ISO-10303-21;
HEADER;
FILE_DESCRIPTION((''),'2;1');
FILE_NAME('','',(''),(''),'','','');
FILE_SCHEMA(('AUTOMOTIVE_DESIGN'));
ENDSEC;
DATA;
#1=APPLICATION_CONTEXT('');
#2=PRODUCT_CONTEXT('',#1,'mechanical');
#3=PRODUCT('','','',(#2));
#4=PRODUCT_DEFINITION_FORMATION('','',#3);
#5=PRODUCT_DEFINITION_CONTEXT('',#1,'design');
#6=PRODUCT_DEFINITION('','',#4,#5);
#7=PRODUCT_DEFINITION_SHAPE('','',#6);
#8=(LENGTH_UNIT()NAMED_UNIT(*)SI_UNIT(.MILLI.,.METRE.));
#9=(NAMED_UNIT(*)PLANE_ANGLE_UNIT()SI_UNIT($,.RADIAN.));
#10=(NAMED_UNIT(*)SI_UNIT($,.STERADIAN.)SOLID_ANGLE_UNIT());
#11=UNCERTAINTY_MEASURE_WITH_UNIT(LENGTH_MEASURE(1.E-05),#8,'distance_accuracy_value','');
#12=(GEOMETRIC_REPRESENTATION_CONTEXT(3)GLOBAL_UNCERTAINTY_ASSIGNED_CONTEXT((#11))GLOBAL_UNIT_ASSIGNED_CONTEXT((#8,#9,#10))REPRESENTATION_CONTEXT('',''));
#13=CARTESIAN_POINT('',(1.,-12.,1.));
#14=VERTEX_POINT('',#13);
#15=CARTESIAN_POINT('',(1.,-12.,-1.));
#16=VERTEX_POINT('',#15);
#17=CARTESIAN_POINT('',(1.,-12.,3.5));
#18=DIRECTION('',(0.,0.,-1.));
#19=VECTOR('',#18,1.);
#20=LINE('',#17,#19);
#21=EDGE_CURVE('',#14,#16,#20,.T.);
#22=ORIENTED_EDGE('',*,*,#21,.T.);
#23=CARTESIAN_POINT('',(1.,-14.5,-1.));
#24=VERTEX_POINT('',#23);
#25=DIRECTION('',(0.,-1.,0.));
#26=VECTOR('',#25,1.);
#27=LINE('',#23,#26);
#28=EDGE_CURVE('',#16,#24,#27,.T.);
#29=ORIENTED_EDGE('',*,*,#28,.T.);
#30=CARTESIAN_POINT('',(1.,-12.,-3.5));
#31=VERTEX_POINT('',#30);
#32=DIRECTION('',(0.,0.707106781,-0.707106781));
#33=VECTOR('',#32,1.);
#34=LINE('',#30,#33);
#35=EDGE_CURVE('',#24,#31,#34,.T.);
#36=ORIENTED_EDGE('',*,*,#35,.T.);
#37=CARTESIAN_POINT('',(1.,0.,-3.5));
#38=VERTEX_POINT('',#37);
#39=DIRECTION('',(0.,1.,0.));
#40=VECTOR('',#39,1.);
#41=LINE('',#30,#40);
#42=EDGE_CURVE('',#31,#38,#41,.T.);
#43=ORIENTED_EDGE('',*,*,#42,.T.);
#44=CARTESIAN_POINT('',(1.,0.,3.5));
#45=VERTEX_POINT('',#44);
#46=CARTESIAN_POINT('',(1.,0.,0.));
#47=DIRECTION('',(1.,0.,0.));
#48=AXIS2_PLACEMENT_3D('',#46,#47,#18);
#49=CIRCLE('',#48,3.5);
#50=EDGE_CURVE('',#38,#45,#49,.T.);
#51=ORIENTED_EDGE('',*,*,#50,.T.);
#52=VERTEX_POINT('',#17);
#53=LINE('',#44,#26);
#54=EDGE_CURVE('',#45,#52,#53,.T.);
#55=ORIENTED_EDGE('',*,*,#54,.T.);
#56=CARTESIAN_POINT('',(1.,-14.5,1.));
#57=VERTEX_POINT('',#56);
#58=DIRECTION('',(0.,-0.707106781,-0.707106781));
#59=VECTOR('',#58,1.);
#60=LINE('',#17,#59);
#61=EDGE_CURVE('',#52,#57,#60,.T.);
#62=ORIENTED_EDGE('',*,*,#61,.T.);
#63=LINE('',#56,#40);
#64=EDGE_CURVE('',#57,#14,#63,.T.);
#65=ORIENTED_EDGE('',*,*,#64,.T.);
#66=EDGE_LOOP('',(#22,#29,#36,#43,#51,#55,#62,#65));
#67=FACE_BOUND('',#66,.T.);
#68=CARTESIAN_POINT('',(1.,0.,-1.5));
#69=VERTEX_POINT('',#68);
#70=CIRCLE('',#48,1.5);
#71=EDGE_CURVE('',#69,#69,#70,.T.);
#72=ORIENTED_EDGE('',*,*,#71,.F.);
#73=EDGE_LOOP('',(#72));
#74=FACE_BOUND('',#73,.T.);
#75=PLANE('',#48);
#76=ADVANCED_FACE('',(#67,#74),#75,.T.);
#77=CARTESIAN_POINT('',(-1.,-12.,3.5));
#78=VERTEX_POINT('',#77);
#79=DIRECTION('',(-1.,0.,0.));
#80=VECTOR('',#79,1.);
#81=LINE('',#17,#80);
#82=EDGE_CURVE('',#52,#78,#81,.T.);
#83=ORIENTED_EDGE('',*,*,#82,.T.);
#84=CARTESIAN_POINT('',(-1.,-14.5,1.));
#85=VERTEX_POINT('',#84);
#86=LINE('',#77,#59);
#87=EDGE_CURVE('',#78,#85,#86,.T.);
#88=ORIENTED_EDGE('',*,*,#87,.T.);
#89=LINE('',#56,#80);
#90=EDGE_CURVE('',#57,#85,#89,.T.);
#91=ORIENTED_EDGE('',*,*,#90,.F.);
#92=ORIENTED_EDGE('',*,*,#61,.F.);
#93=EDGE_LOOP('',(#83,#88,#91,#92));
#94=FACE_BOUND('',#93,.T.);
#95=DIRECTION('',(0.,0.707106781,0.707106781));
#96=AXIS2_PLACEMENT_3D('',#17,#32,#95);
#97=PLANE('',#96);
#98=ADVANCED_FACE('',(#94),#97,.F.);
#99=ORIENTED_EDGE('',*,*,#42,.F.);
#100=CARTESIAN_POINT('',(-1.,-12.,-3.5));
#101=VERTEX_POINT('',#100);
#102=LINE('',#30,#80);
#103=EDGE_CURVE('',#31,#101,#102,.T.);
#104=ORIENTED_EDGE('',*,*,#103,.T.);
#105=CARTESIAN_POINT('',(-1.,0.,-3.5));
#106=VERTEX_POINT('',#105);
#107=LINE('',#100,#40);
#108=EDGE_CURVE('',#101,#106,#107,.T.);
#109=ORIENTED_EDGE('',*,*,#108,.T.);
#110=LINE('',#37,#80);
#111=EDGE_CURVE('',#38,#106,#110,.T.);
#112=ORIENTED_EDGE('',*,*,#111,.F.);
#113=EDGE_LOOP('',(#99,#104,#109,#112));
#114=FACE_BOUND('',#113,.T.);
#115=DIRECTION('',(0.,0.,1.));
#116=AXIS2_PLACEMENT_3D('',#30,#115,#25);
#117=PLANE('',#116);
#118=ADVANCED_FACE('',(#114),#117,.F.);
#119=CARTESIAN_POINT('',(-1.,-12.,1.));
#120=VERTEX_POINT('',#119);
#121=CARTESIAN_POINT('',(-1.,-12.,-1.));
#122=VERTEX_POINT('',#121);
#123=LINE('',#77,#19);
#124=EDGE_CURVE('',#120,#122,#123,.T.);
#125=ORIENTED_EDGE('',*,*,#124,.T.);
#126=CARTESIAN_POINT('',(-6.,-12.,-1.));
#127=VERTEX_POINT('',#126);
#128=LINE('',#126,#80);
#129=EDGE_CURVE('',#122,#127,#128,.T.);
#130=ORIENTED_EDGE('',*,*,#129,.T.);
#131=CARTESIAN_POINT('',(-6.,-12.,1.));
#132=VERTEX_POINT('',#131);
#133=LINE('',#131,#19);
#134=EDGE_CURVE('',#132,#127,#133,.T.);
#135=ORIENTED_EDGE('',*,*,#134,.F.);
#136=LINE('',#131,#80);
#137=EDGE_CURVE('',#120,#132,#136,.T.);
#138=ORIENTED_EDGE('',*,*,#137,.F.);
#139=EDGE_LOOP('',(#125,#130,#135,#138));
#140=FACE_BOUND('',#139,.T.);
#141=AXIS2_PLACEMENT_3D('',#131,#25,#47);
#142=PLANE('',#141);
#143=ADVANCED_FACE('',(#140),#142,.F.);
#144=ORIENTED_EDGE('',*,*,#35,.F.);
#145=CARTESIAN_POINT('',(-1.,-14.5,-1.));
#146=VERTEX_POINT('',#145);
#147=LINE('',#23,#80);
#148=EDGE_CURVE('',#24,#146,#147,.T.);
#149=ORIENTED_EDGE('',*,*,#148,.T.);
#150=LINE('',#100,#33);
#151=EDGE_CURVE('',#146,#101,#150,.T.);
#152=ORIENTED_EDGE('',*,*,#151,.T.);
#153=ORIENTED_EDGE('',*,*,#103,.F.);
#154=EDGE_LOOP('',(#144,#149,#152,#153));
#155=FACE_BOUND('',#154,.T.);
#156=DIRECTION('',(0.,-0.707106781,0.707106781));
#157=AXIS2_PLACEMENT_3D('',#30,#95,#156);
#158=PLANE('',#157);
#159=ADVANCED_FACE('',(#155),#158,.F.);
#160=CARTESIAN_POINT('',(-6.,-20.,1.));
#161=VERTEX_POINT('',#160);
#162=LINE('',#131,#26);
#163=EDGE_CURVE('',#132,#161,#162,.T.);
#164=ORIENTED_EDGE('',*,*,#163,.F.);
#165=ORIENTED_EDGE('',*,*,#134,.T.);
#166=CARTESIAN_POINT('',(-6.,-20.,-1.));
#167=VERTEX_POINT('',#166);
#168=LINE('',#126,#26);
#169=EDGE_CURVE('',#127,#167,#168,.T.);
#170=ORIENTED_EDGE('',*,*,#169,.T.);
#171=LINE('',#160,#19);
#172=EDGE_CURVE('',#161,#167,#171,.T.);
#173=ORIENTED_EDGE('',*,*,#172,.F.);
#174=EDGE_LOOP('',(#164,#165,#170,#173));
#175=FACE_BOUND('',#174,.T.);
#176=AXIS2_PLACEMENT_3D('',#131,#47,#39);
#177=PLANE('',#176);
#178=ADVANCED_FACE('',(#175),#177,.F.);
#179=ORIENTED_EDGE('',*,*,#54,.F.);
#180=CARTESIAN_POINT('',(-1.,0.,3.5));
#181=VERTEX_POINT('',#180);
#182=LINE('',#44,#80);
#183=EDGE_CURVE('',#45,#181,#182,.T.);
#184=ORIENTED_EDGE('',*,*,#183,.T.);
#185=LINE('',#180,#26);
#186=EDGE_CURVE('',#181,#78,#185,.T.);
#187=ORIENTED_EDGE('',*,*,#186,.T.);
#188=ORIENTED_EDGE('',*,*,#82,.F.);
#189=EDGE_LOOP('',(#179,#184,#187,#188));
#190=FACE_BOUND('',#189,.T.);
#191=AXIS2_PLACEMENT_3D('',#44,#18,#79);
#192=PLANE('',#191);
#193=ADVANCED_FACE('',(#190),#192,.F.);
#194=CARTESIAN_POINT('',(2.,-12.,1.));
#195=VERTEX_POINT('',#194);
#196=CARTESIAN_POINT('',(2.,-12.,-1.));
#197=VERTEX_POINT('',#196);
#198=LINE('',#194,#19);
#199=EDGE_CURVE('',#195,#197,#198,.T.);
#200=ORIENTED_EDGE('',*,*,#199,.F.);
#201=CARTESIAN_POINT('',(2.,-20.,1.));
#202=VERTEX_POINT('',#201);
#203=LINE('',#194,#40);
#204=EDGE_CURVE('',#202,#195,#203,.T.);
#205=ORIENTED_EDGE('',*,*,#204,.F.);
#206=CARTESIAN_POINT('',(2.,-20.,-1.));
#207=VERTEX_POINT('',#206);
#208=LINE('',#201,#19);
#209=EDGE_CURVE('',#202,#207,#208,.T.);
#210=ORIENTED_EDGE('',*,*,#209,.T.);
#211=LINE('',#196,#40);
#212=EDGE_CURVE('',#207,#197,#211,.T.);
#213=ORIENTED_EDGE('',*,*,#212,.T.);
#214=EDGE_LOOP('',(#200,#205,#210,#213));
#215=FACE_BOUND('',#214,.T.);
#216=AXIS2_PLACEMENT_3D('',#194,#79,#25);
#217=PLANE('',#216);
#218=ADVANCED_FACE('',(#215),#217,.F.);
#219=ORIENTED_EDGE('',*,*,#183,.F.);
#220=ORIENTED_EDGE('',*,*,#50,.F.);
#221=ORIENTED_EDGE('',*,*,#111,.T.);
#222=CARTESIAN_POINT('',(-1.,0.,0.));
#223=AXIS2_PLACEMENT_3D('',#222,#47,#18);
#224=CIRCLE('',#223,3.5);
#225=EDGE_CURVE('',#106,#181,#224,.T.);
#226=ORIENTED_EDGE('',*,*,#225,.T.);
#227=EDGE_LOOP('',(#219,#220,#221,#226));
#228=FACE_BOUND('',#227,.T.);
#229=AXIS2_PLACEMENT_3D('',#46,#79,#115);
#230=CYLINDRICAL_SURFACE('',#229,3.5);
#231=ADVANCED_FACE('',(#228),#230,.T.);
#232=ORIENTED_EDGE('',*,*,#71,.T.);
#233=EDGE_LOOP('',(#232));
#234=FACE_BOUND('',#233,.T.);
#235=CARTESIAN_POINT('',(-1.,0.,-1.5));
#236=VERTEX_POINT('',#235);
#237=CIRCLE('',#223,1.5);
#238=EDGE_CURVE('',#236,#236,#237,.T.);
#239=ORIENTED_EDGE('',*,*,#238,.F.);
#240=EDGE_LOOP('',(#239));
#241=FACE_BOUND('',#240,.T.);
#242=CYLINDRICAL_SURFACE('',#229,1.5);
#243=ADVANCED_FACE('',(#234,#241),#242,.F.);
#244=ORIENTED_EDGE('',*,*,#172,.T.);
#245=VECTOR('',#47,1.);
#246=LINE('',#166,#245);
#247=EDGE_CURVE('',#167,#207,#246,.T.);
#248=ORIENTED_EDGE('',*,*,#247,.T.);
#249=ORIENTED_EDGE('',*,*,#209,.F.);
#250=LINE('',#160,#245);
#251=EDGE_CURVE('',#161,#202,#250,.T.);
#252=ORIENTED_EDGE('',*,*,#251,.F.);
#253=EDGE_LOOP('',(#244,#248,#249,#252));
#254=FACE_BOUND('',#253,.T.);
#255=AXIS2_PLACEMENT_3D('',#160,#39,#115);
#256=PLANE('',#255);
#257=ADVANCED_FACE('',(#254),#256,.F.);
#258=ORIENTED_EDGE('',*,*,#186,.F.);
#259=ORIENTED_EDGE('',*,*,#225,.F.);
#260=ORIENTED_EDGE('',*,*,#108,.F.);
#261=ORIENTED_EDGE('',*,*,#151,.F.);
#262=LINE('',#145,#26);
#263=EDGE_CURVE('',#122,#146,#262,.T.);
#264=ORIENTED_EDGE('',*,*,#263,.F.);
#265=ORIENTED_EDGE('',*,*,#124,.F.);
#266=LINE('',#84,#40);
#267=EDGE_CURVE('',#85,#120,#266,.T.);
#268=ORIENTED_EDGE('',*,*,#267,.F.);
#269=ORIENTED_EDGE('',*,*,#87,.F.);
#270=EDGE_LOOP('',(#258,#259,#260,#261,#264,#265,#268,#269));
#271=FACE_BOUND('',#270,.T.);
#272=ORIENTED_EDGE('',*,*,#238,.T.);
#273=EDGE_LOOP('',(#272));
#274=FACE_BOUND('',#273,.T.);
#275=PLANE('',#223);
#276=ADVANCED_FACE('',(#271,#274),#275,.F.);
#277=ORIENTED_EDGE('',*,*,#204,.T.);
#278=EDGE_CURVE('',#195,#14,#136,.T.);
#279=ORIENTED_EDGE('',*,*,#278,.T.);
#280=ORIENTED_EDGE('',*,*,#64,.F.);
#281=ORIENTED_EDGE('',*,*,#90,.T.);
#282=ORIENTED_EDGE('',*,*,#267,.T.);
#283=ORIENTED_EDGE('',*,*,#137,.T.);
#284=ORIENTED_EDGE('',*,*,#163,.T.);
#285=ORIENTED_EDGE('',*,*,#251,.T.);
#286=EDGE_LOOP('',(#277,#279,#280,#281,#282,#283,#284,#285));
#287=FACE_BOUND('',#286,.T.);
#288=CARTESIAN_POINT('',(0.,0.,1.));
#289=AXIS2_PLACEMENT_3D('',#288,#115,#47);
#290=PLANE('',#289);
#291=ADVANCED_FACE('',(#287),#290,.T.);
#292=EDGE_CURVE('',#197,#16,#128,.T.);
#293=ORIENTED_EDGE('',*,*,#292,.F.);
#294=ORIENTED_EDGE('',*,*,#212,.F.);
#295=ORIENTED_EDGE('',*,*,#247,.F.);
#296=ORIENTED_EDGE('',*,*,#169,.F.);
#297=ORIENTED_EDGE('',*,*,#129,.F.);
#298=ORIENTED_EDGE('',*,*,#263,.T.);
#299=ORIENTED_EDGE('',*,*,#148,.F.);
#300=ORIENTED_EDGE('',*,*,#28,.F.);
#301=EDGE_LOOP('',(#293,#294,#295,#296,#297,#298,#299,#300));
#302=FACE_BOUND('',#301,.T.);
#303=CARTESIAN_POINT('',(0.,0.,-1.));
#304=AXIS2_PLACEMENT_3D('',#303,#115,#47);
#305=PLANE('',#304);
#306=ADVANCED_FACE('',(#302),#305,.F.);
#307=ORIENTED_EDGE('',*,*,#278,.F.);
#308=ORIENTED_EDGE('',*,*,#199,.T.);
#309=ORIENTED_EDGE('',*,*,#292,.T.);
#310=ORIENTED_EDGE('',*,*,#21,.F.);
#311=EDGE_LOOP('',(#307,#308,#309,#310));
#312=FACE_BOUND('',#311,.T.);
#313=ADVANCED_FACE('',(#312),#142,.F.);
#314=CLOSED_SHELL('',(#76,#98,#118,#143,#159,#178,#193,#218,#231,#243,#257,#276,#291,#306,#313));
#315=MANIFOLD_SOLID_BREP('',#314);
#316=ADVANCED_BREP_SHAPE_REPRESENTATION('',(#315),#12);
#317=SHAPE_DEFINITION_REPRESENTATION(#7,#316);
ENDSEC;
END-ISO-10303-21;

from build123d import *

# Parameters (mm, degrees)
SKETCH1_R           = 1.5
BOSS_EXTRUDE1_DEPTH = 1
SKETCH2_W           = 8
SKETCH2_H           = 8
BOSS_EXTRUDE2_DEPTH = 1
BOSS_EXTRUDE3_DEPTH = 1


with BuildPart() as part:
    # Sketch1 → Boss-Extrude1 (new, symmetric)
    with BuildSketch(Plane(origin=(0, 0, 0), x_dir=(0, 0, -1), z_dir=(1, 0, 0))):
        with BuildLine():
            Line((-3.5, 0), (-3.5, -12))
            Line((-3.5, -12), (3.5, -12))
            Line((3.5, -12), (3.5, 0))
            ThreePointArc((3.5, 0), (0, 3.5), (-3.5, 0))
        make_face()
        Circle(SKETCH1_R, mode=Mode.SUBTRACT)
    extrude(amount=BOSS_EXTRUDE1_DEPTH, both=True)

    # Sketch2 → Boss-Extrude2 (add, symmetric)
    with BuildSketch(Plane.XY):
        with Locations((-2, -16)):
            Rectangle(SKETCH2_W, SKETCH2_H)
    extrude(amount=BOSS_EXTRUDE2_DEPTH, both=True)

    # Sketch3 → Boss-Extrude3 (add, symmetric)
    with BuildSketch(Plane(origin=(0, 0, 0), x_dir=(0, 0, -1), z_dir=(1, 0, 0))):
        Polygon((-3.5, -12), (-1, -14.5), (-1, -12), align=None)
        Polygon((1, -12), (3.5, -12), (1, -14.5), align=None)
    extrude(amount=BOSS_EXTRUDE3_DEPTH, both=True)


solid = part.part
